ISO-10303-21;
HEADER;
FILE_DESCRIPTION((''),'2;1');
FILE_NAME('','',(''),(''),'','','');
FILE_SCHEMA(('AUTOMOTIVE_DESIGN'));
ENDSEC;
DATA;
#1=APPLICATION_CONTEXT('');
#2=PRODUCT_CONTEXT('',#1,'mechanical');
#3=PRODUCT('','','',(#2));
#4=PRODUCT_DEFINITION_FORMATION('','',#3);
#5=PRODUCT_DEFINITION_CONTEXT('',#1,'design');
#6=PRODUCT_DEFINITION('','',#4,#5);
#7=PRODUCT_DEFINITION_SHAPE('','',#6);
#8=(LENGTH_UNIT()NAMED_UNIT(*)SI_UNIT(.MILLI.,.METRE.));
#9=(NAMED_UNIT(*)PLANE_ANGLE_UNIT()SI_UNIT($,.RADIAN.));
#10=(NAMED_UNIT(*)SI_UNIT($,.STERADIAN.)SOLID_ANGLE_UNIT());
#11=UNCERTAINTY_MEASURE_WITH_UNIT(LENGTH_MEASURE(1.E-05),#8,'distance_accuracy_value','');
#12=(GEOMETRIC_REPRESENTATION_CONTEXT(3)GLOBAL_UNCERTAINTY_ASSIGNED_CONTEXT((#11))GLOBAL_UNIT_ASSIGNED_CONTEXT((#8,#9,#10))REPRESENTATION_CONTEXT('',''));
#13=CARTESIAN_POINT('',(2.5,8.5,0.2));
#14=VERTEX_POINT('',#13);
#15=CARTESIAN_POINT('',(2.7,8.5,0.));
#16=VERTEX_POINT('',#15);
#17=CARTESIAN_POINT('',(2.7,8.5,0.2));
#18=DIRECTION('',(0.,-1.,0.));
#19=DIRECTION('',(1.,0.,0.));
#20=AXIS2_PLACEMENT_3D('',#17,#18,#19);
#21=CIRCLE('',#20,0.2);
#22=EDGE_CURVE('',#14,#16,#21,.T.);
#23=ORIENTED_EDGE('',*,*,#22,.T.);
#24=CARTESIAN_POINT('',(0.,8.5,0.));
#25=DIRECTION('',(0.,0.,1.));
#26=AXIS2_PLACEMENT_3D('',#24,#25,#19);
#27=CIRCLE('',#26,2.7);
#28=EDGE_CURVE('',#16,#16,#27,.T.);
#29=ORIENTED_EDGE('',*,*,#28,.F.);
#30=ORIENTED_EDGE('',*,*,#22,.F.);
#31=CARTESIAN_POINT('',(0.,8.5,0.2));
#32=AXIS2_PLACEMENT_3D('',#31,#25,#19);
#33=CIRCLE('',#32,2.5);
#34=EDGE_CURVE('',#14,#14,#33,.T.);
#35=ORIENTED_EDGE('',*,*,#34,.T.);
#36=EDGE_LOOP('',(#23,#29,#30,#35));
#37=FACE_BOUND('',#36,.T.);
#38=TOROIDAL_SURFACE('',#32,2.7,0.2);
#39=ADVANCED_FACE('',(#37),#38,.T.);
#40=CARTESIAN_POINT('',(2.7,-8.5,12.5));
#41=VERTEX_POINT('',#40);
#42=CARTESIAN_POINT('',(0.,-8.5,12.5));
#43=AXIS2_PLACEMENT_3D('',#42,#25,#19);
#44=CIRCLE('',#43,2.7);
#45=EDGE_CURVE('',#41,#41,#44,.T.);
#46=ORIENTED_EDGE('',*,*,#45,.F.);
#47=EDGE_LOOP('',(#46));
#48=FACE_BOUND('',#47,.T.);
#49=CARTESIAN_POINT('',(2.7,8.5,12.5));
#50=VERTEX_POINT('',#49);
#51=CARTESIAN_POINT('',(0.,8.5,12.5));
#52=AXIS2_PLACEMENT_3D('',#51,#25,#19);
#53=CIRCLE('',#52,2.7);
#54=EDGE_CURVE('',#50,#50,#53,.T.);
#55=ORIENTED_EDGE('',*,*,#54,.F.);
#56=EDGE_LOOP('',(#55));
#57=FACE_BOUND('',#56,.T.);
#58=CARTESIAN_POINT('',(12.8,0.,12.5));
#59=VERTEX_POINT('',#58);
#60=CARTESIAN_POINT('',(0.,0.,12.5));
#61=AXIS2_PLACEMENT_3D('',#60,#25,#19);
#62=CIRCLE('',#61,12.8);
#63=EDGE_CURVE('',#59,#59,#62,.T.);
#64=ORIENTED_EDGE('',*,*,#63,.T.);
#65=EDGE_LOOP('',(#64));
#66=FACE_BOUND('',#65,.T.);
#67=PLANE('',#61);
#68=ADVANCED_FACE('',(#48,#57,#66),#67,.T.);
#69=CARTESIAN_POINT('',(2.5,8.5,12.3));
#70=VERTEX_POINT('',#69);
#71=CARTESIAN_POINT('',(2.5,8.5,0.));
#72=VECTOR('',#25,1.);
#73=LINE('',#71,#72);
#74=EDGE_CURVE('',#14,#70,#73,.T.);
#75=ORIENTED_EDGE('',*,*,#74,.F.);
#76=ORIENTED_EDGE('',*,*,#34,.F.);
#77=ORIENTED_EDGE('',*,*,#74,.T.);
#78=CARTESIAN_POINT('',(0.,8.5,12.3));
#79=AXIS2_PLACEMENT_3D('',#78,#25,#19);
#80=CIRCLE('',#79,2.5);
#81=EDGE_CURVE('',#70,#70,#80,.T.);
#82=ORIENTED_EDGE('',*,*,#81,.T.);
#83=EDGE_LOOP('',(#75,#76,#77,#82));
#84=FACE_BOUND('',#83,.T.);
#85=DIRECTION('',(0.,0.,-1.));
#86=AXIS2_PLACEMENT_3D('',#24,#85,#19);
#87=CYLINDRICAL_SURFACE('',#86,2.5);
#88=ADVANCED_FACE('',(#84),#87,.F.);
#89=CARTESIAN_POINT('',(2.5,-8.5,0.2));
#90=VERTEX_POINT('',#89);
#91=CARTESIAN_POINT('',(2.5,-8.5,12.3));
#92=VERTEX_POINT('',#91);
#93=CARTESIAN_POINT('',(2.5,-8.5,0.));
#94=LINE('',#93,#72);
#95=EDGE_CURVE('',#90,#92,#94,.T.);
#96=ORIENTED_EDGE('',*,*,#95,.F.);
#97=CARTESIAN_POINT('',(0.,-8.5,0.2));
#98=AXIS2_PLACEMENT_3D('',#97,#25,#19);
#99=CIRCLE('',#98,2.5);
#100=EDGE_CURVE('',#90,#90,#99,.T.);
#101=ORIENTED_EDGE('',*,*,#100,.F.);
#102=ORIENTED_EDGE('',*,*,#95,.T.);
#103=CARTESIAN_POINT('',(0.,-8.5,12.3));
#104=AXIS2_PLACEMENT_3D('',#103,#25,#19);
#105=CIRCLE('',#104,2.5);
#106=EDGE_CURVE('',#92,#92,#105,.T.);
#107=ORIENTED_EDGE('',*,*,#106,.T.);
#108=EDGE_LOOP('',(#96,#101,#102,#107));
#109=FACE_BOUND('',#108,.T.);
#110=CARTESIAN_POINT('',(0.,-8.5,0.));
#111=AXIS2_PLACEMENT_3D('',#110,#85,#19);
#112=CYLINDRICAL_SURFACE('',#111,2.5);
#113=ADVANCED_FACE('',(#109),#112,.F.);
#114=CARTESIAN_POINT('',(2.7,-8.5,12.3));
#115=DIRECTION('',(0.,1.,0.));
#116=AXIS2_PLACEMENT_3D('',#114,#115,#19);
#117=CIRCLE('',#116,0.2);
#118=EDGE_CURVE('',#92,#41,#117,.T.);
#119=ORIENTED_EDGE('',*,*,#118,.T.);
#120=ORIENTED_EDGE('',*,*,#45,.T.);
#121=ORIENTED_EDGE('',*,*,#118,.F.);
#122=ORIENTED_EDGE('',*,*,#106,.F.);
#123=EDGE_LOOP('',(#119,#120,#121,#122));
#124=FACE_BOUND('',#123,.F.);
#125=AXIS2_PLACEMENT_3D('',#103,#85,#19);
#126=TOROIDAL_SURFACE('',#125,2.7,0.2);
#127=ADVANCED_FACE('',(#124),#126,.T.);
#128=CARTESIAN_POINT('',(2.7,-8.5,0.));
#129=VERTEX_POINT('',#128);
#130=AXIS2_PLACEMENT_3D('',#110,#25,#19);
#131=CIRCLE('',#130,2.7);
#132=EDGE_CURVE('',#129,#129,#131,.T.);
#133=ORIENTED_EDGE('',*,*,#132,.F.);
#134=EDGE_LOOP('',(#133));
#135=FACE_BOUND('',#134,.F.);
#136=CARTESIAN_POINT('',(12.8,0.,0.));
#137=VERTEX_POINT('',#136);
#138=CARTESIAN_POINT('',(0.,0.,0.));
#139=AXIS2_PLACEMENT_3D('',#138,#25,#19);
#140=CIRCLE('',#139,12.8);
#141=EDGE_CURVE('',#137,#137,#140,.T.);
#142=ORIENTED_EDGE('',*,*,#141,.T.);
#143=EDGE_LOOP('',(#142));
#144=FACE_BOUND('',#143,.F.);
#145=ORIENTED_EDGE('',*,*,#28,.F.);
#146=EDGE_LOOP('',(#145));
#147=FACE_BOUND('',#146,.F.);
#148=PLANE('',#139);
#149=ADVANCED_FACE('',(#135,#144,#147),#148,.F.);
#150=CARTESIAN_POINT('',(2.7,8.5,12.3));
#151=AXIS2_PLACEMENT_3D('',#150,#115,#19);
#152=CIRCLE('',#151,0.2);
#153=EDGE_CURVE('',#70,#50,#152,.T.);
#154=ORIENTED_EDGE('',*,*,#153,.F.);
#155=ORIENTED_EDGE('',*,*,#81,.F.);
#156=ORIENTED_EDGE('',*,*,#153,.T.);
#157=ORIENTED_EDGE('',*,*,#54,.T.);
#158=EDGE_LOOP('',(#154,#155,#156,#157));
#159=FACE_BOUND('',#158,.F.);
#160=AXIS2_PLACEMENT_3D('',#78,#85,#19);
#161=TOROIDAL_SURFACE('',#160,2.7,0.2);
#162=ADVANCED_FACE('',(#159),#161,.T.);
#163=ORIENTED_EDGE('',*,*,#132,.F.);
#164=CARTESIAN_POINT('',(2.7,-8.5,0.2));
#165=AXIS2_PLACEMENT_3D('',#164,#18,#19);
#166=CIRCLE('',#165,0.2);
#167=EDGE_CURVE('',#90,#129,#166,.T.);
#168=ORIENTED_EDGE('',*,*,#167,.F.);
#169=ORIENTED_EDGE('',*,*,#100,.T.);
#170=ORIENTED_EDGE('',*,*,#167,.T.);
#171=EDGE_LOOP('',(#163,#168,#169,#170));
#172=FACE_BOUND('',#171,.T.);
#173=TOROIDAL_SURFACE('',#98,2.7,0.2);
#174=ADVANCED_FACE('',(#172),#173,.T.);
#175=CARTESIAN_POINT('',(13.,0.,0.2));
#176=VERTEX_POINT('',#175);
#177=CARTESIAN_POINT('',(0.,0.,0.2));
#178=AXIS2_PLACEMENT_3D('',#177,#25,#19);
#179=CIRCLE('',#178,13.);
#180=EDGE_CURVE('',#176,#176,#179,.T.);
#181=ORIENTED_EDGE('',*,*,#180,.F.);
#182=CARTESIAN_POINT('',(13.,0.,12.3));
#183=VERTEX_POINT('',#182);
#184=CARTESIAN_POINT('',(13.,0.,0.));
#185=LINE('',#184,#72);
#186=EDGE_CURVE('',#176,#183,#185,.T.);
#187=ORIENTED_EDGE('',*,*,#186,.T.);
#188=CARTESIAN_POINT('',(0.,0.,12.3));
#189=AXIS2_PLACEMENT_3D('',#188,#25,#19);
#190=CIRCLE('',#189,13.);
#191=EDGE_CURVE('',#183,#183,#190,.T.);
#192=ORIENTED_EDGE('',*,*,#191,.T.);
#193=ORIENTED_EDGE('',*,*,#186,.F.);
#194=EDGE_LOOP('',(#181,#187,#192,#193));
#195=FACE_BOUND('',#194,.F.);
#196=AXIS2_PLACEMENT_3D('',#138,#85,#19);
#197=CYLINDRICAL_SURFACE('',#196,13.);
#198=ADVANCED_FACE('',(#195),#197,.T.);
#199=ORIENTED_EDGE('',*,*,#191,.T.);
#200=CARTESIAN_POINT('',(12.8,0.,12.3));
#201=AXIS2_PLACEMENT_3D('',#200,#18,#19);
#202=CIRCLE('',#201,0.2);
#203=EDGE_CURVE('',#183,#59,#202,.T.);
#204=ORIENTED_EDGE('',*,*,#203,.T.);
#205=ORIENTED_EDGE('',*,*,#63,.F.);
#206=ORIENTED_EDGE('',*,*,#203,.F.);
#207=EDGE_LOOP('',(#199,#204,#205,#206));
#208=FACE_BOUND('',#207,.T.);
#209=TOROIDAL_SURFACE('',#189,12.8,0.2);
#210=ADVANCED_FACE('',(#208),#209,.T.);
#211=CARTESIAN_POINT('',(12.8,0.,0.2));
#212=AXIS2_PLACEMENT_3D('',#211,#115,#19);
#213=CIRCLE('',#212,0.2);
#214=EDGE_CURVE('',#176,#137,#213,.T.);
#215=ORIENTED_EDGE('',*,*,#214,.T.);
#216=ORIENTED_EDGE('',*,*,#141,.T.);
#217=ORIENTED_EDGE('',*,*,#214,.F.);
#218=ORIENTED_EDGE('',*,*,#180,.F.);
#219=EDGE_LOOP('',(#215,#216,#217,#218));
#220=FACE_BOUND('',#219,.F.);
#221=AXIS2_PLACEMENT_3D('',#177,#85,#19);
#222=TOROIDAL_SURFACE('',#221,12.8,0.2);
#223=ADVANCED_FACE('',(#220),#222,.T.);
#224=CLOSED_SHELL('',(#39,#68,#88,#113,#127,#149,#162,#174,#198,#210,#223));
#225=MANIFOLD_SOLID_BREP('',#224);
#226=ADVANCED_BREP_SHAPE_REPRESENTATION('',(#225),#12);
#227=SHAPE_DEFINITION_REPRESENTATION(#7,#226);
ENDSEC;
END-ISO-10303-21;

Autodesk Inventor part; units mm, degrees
ref_plane "YZ Plane" through (0, 0, 0) normal (1, 0, 0) x (0, 1, 0)
ref_plane "XZ Plane" through (0, 0, 0) normal (0, 1, 0) x (-1, 0, 0)
ref_plane "XY Plane" through (0, 0, 0) normal (0, 0, 1) x (1, 0, 0)
sketch "Sketch1" plane through (0, 0, 0) normal (0, 0, 1) x (1, 0, 0)
  circle A0 centre (0, 0) radius 13
  circle A1 centre (0, 8.5) radius 2.5
  circle A2 centre (0, -8.5) radius 2.5
  line L0 (0, 8.5) -> (0, -8.5) construction
  dimension "d0" = 26
  dimension "d1" = 5
  dimension "d2" = 17
extrude "Extrusion1" add sketch "Sketch1" along normal blind 12.5
thread "Thread1" size "M5x0.8" class "6H" standard "ANSI Metric M Profile" full length
thread "Thread2" size "M5x0.8" class "6H" standard "ANSI Metric M Profile" full length
fillet "Fillet1" radius 0.2 6 edges at (-13, 0, 12.5) (-13, 0, 0) (-2.5, 8.5, 12.5) (-2.5, -8.5, 12.5) (-2.5, 8.5, 0) (-2.5, -8.5, 0)
properties part number "draaischijf HMI" material "Stainless Steel"
